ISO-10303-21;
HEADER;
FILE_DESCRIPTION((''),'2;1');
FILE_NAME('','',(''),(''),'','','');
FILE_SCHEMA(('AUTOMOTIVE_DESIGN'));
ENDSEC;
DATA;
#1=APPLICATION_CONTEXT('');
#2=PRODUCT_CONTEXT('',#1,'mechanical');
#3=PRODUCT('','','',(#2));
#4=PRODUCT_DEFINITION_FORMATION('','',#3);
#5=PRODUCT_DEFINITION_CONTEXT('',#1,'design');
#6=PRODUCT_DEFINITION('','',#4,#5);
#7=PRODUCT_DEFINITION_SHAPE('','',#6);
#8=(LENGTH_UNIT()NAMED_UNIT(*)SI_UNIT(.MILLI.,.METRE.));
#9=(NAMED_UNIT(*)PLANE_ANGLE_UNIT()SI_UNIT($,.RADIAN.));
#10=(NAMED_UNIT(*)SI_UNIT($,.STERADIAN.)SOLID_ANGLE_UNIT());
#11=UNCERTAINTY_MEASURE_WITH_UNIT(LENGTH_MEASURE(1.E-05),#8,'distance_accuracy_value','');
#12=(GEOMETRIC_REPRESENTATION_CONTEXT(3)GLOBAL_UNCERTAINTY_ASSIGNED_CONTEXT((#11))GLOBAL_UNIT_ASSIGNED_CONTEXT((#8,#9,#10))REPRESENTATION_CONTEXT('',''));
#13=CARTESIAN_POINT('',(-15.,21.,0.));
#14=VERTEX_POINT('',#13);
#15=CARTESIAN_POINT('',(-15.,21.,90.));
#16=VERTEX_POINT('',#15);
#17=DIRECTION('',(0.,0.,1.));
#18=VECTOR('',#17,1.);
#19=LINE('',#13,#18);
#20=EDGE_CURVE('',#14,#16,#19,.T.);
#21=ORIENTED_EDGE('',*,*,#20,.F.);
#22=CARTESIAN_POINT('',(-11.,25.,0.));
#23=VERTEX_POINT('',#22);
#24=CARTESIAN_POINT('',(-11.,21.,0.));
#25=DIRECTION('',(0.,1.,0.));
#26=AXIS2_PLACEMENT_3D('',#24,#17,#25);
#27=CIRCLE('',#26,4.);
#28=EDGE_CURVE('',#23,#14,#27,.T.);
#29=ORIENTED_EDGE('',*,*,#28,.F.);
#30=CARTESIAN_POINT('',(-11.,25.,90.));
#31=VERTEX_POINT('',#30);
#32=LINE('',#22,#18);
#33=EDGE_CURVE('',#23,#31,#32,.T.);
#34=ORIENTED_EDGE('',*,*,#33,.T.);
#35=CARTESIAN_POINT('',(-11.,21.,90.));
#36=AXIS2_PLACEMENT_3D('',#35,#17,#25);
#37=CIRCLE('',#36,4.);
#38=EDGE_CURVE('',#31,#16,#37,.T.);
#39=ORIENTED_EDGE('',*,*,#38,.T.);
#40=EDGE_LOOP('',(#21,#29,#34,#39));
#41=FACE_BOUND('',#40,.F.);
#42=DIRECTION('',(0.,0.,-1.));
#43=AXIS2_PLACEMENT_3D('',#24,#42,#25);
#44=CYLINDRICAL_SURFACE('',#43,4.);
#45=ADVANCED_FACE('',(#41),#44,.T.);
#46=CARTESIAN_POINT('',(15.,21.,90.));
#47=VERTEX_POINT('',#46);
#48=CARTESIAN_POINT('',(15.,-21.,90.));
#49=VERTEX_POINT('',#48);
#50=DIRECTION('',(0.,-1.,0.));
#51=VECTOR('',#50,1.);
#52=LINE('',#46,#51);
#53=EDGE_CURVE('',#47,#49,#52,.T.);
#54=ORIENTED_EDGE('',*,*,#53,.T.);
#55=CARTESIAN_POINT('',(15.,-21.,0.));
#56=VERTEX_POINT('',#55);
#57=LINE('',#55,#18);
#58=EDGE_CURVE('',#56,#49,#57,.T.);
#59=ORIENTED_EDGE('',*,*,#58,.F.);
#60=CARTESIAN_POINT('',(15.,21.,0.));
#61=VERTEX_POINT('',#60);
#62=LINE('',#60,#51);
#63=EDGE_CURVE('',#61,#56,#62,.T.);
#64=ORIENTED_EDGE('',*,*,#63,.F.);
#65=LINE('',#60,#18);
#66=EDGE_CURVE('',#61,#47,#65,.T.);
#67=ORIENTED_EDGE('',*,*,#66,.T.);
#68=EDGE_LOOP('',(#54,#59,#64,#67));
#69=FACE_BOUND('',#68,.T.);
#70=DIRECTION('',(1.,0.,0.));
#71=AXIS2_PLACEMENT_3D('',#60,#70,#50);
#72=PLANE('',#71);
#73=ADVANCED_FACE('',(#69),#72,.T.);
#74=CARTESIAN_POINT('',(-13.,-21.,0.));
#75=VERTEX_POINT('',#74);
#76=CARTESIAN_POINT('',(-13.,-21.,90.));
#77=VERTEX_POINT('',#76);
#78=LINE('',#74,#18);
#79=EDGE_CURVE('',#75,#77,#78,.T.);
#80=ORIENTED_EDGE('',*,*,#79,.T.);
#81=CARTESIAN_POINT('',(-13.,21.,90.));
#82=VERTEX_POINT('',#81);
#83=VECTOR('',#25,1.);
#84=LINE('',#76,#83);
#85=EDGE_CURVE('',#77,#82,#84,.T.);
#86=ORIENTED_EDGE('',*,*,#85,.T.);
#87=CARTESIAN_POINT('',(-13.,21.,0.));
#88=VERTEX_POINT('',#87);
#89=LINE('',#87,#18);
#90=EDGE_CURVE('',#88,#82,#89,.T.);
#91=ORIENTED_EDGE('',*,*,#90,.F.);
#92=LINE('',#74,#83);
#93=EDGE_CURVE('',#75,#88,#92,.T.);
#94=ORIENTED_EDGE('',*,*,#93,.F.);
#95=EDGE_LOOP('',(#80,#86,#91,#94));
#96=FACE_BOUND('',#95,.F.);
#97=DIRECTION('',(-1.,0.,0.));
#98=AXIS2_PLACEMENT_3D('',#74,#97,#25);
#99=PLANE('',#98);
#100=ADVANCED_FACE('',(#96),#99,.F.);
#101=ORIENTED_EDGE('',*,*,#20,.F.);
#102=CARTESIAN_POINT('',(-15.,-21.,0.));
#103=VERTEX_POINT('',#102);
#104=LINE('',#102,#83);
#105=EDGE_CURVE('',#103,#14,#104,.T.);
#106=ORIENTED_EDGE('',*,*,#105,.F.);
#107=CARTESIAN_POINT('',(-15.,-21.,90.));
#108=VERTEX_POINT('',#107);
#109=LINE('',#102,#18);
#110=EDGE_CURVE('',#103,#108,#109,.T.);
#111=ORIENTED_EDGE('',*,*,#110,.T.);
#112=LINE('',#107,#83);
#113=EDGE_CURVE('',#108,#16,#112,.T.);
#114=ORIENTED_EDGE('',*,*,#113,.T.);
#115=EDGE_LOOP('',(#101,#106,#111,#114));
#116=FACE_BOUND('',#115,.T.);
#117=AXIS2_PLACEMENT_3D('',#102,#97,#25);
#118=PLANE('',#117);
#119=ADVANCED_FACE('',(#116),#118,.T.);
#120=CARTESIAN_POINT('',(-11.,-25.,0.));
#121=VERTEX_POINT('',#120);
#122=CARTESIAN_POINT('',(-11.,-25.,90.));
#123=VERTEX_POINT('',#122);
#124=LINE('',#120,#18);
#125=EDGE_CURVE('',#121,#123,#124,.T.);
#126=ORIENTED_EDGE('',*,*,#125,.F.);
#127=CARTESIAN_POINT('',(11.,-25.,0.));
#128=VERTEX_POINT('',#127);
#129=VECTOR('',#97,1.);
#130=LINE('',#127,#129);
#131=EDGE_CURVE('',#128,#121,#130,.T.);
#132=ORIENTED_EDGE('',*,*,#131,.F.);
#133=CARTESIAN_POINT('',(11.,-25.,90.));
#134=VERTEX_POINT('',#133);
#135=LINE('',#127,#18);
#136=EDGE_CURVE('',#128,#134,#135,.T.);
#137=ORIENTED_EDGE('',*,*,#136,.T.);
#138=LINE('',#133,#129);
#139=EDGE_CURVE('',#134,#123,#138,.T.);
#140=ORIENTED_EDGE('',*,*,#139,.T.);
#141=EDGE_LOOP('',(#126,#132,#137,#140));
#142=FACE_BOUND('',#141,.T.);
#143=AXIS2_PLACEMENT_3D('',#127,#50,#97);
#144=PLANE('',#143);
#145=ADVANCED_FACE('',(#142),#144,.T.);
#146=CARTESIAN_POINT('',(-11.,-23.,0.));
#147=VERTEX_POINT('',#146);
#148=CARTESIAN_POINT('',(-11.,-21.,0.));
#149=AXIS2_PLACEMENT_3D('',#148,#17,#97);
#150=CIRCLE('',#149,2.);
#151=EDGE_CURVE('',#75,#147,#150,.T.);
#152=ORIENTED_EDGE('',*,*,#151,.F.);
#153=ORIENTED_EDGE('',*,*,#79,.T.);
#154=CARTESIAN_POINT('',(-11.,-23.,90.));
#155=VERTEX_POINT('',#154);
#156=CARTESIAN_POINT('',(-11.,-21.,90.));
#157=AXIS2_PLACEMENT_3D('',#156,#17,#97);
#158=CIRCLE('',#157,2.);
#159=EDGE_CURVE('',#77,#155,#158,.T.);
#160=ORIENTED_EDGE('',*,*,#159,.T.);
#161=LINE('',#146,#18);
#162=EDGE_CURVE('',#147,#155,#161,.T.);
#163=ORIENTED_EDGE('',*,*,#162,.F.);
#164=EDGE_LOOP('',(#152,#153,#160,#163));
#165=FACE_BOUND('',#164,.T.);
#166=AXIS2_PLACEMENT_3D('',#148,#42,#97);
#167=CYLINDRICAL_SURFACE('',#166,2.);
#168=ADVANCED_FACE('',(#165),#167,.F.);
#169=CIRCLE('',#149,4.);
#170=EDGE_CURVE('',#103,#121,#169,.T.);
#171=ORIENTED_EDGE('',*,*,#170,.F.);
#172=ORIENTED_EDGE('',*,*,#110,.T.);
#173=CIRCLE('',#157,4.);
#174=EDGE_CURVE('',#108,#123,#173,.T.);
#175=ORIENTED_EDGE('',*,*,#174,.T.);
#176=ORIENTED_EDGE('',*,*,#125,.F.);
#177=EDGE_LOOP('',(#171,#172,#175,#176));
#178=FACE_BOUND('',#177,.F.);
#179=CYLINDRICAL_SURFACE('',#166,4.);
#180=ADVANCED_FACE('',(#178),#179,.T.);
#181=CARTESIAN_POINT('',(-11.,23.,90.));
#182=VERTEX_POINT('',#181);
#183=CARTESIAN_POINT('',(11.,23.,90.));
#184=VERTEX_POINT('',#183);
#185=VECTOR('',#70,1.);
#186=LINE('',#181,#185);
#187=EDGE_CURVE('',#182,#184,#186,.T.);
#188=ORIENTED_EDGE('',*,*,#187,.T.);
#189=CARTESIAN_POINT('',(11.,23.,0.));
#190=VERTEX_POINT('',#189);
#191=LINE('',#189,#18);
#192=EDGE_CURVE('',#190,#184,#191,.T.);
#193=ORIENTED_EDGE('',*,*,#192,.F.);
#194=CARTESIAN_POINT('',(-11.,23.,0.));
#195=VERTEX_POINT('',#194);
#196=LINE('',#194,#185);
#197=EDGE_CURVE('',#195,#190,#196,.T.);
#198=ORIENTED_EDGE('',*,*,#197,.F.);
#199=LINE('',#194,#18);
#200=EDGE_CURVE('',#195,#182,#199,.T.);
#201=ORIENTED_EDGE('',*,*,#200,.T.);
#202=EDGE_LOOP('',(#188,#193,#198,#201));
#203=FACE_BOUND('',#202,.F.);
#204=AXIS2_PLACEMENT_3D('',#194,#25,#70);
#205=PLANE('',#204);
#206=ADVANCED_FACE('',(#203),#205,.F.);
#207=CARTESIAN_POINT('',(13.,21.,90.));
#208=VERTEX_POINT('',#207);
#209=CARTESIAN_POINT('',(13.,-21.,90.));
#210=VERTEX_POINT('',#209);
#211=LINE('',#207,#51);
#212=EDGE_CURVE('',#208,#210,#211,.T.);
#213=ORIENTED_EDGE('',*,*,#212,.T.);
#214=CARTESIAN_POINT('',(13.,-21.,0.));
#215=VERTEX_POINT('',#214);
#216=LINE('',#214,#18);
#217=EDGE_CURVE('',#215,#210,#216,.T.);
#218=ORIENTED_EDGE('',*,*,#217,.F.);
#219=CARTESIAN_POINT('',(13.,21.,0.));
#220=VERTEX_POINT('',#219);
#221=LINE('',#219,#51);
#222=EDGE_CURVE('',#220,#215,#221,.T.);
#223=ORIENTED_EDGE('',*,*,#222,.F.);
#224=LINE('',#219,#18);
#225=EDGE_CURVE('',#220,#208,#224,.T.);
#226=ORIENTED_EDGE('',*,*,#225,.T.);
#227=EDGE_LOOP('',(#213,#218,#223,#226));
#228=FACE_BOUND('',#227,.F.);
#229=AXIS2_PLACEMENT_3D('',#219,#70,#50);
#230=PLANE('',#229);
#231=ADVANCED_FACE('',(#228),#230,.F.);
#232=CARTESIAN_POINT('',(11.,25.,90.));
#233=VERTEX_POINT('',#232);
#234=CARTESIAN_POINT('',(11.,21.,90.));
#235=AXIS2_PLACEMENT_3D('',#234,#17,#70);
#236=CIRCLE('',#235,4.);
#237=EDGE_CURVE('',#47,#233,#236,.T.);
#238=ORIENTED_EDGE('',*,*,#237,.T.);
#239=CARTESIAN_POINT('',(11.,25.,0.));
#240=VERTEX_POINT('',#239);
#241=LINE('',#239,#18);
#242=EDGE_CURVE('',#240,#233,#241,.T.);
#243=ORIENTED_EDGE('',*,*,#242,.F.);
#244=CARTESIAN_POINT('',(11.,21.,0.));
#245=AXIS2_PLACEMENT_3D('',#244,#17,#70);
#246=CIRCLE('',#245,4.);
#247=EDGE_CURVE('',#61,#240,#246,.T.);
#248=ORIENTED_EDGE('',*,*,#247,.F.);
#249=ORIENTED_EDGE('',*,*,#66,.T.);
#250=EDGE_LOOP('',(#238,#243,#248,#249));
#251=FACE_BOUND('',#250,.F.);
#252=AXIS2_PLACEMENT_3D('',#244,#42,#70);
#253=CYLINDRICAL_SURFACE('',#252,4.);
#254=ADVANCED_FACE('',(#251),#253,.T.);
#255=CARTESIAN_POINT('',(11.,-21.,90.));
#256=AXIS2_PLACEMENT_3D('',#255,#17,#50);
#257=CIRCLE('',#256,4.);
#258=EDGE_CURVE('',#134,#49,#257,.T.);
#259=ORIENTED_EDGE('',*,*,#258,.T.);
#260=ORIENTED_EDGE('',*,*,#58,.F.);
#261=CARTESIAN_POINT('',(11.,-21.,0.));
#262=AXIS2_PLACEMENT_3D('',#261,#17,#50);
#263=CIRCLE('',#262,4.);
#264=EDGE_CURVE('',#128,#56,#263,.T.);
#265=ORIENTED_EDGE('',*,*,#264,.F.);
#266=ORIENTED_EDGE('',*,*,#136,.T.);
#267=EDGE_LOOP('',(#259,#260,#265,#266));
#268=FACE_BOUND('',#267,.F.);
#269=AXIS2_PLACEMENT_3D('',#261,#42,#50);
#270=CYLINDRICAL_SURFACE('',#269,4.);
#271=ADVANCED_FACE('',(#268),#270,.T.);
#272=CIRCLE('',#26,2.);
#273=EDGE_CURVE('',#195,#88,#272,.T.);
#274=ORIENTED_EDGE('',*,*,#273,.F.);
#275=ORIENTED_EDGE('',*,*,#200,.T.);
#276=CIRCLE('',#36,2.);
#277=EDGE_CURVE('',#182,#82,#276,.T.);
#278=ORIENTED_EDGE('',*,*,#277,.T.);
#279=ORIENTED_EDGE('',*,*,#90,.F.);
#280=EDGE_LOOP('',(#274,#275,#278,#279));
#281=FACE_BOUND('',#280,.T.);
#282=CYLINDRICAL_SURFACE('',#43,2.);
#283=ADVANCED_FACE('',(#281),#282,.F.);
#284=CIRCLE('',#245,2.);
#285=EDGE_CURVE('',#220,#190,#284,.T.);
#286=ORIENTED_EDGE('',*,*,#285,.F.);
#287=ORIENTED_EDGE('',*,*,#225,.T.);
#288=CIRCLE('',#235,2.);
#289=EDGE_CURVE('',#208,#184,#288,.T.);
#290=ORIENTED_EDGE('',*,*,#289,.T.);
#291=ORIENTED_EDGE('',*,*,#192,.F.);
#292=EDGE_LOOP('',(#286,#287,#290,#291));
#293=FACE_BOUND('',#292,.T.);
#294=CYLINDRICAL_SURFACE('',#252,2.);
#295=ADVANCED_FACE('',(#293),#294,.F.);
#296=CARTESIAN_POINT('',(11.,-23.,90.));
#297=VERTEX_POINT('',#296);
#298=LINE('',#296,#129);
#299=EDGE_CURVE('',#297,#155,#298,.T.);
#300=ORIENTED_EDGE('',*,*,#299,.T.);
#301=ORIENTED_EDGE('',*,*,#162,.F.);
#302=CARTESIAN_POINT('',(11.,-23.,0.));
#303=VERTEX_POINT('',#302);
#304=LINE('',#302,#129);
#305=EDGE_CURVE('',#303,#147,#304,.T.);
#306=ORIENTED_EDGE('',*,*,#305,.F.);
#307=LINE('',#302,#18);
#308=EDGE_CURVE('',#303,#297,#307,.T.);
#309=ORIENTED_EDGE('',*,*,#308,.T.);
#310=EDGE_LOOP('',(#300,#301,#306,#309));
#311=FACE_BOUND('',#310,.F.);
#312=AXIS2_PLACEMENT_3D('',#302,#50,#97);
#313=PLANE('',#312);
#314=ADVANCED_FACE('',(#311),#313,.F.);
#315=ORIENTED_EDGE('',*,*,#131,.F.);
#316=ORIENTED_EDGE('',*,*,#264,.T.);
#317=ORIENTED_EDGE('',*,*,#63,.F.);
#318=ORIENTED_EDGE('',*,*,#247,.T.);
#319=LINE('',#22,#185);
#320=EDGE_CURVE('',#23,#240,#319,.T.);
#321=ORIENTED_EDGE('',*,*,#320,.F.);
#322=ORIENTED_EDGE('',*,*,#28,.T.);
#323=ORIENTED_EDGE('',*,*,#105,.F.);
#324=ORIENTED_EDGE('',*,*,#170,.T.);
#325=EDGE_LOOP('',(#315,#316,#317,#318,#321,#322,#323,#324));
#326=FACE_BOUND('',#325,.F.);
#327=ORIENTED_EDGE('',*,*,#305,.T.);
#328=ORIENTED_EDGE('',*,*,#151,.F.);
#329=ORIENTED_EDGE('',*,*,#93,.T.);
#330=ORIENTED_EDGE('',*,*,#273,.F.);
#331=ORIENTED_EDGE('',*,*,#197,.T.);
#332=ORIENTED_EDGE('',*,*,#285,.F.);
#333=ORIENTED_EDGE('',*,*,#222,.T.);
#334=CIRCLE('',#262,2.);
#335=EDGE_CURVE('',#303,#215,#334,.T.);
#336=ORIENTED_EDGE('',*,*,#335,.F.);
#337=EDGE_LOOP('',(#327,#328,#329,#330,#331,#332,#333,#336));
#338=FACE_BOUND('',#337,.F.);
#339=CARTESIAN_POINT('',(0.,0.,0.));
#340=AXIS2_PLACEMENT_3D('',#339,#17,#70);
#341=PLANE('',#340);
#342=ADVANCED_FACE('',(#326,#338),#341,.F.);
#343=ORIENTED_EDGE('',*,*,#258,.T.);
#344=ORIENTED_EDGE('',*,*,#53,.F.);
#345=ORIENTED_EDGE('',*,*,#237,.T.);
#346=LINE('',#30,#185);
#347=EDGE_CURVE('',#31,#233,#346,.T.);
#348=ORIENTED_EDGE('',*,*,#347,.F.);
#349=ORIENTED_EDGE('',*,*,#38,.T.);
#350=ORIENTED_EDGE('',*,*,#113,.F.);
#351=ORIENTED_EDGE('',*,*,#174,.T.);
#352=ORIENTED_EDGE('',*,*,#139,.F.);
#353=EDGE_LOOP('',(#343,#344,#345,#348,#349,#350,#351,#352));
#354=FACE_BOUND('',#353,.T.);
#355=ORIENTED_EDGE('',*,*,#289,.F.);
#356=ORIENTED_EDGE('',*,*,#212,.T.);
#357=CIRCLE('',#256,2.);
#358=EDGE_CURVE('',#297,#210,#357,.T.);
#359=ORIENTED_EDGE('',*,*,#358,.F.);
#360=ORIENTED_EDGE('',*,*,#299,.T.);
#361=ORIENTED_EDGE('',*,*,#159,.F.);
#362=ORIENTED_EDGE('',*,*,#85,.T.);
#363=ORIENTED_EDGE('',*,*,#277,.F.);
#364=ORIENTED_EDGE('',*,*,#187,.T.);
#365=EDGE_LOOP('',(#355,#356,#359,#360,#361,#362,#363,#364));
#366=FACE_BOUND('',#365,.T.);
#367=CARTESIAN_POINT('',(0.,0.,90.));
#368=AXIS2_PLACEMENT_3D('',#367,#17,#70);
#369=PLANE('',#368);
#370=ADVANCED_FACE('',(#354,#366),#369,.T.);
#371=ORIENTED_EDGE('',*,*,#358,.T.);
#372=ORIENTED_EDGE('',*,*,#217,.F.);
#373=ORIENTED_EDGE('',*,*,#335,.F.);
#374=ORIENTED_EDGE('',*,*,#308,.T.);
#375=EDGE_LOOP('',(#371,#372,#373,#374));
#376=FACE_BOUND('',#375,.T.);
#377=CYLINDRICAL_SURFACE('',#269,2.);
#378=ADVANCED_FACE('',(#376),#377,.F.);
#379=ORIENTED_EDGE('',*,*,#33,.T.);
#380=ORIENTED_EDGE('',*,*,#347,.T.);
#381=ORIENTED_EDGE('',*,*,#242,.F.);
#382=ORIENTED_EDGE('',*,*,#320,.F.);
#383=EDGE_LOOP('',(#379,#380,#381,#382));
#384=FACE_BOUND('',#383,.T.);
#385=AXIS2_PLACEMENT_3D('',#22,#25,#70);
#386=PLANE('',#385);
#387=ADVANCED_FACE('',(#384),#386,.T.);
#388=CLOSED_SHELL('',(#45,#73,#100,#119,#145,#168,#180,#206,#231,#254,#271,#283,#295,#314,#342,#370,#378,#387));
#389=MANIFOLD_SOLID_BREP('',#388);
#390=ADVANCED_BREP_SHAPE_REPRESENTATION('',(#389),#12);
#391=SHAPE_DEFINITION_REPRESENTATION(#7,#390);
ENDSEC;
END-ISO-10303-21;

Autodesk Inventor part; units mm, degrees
ref_plane "YZ Plane" through (0, 0, 0) normal (1, 0, 0) x (0, 1, 0)
ref_plane "Plano inicial" through (0, 0, 0) normal (0, 0, 1) x (1, 0, 0)
ref_plane "Plano final" through (0, 0, 90) normal (0, 0, 1) x (1, 0, 0)
sketch "Esboço" plane through (0, 0, 0) normal (0, 0, 1) x (1, 0, 0)
  line L0 (-15, -21) -> (-15, 21)
  line L1 (-11, 25) -> (11, 25)
  line L2 (15, 21) -> (15, -21)
  line L3 (11, -25) -> (-11, -25)
  arc A0 (-15, -21) -> (-11, -25) centre (-11, -21) ccw
  arc A1 (15, 21) -> (11, 25) centre (11, 21) ccw
  arc A2 (-11, 25) -> (-15, 21) centre (-11, 21) ccw
  arc A3 (11, -25) -> (15, -21) centre (11, -21) ccw
  arc A4 (-11, 23) -> (-13, 21) centre (-11, 21) ccw
  line L4 (-11, 23) -> (11, 23)
  arc A5 (13, 21) -> (11, 23) centre (11, 21) ccw
  line L5 (13, 21) -> (13, -21)
  arc A6 (11, -23) -> (13, -21) centre (11, -21) ccw
  line L6 (11, -23) -> (-11, -23)
  arc A7 (-13, -21) -> (-11, -23) centre (-11, -21) ccw
  line L7 (-13, -21) -> (-13, 21)
  line L8 (0, 36.1598) -> (0, -36.1598) construction
  line L9 (-22.1598, 0) -> (22.1598, 0) construction
  dimension "d7" = 4
  dimension "d9" = 30
  dimension "d11" = 50
  dimension "d12" = 2
  dimension "d15" = 15
  dimension "d16" = 25
extrude "Corpo" add sketch "Esboço" along normal up to surface (90 mm away) from surface at 0
sketch "Sketch3" plane through (0, 0, 0) normal (0, 0, 1) x (1, 0, 0)
  line L0 (0, 0) -> (10, 0)
ref_plane "Work Plane3" through (0, 0, 0) normal (0, -1, 0) x (1, 0, 0)
sketch "Sketch4" plane through (0, 0, 0) normal (0, -1, 0) x (1, 0, 0)
  line L0 (-2, 0) -> (12, 0)
  line L1 (-2, 90) -> (12, 90)
  dimension "d18" = 90
equation "\"d7\" = G_IR"
equation "\"d9\" = G_W"
equation "\"d11\" = G_H"
equation "\"d12\" = G_T"
equation "\"d15\" = 0.5 * d9"
equation "\"d16\" = 0.5 * d11"
equation "\"d3\" = G_L"
equation "\"G_W\" = 30"
equation "\"G_H\" = 50"
equation "\"G_T\" = 2"
equation "\"G_IR\" = 4"
equation "\"G_L\" = d18"
equation "\"G_OFFSET_START\" = 0"
equation "\"G_OFFSET_END\" = 0"
equation "\"d14\" = G_OFFSET_END + B_L"
equation "\"B_L\" = 90"
properties part number "ISO 4019 - 50x30x2 - 90" material "Aço, suave"
